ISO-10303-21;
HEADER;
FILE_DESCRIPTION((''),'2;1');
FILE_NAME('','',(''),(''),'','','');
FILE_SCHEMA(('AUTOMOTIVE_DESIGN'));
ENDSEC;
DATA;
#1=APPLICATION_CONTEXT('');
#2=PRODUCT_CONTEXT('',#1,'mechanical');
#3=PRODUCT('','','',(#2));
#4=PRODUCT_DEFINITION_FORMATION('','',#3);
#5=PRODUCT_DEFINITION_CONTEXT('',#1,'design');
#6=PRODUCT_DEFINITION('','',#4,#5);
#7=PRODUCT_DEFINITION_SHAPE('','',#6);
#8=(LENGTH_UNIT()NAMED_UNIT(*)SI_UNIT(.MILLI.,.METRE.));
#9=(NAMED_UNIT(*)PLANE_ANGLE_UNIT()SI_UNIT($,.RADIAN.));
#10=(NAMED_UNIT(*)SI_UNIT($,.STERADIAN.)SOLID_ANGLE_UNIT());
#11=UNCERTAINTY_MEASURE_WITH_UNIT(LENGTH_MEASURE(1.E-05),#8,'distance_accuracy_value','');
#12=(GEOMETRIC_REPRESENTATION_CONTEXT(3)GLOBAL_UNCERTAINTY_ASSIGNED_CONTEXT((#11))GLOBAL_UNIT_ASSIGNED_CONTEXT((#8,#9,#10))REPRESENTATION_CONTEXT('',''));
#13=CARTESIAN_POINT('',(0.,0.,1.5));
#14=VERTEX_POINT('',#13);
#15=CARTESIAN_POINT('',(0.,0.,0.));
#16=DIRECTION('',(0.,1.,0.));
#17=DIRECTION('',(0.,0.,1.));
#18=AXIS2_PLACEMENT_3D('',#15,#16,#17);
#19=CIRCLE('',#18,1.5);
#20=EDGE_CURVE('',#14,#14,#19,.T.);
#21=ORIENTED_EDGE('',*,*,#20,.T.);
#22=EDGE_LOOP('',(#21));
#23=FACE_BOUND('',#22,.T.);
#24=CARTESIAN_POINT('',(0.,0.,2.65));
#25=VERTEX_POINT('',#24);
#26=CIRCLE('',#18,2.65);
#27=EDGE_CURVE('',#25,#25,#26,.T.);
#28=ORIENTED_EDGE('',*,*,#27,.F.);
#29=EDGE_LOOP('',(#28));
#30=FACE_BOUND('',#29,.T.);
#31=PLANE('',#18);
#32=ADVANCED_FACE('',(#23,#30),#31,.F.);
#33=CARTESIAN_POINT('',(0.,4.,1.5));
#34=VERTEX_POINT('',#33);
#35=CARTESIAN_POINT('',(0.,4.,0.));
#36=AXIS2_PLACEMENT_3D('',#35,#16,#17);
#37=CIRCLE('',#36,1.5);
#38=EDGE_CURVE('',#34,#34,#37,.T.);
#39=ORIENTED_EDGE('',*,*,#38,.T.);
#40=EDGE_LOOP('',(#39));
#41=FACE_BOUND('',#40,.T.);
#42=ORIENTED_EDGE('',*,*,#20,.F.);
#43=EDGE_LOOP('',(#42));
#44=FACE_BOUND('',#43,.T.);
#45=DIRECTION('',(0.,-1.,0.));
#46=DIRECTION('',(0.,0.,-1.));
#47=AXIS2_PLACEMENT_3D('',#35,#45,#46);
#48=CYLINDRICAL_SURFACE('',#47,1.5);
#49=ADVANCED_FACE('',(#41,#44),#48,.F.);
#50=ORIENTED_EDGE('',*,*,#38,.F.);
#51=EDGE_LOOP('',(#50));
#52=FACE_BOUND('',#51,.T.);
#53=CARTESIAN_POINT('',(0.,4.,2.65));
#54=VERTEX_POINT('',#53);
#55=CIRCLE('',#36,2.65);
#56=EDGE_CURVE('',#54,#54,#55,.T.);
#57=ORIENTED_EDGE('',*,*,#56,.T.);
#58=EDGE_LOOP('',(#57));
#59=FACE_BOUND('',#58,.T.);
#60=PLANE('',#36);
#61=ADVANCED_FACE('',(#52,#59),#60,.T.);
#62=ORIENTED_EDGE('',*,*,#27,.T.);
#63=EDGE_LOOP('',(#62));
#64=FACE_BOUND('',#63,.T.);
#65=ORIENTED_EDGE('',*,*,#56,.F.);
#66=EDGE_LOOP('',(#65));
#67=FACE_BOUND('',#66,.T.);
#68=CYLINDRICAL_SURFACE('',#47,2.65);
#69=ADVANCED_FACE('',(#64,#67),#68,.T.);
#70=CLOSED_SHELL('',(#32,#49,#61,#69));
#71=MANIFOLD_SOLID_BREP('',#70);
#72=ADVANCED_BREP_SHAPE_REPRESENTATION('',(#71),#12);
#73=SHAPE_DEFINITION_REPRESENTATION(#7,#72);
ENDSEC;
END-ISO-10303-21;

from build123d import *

# Parameters (mm, degrees)
SKETCH1_R           = 2.65
SKETCH1_R_2         = 1.5
BOSS_EXTRUDE1_DEPTH = 4


with BuildPart() as part:
    # Sketch1 → Boss-Extrude1 (new body)
    with BuildSketch(Plane(origin=(0, 0, 0), x_dir=(1, 0, 0), z_dir=(0, 1, 0))):
        Circle(SKETCH1_R)
        Circle(SKETCH1_R_2, mode=Mode.SUBTRACT)
    extrude(amount=BOSS_EXTRUDE1_DEPTH)


solid = part.part
